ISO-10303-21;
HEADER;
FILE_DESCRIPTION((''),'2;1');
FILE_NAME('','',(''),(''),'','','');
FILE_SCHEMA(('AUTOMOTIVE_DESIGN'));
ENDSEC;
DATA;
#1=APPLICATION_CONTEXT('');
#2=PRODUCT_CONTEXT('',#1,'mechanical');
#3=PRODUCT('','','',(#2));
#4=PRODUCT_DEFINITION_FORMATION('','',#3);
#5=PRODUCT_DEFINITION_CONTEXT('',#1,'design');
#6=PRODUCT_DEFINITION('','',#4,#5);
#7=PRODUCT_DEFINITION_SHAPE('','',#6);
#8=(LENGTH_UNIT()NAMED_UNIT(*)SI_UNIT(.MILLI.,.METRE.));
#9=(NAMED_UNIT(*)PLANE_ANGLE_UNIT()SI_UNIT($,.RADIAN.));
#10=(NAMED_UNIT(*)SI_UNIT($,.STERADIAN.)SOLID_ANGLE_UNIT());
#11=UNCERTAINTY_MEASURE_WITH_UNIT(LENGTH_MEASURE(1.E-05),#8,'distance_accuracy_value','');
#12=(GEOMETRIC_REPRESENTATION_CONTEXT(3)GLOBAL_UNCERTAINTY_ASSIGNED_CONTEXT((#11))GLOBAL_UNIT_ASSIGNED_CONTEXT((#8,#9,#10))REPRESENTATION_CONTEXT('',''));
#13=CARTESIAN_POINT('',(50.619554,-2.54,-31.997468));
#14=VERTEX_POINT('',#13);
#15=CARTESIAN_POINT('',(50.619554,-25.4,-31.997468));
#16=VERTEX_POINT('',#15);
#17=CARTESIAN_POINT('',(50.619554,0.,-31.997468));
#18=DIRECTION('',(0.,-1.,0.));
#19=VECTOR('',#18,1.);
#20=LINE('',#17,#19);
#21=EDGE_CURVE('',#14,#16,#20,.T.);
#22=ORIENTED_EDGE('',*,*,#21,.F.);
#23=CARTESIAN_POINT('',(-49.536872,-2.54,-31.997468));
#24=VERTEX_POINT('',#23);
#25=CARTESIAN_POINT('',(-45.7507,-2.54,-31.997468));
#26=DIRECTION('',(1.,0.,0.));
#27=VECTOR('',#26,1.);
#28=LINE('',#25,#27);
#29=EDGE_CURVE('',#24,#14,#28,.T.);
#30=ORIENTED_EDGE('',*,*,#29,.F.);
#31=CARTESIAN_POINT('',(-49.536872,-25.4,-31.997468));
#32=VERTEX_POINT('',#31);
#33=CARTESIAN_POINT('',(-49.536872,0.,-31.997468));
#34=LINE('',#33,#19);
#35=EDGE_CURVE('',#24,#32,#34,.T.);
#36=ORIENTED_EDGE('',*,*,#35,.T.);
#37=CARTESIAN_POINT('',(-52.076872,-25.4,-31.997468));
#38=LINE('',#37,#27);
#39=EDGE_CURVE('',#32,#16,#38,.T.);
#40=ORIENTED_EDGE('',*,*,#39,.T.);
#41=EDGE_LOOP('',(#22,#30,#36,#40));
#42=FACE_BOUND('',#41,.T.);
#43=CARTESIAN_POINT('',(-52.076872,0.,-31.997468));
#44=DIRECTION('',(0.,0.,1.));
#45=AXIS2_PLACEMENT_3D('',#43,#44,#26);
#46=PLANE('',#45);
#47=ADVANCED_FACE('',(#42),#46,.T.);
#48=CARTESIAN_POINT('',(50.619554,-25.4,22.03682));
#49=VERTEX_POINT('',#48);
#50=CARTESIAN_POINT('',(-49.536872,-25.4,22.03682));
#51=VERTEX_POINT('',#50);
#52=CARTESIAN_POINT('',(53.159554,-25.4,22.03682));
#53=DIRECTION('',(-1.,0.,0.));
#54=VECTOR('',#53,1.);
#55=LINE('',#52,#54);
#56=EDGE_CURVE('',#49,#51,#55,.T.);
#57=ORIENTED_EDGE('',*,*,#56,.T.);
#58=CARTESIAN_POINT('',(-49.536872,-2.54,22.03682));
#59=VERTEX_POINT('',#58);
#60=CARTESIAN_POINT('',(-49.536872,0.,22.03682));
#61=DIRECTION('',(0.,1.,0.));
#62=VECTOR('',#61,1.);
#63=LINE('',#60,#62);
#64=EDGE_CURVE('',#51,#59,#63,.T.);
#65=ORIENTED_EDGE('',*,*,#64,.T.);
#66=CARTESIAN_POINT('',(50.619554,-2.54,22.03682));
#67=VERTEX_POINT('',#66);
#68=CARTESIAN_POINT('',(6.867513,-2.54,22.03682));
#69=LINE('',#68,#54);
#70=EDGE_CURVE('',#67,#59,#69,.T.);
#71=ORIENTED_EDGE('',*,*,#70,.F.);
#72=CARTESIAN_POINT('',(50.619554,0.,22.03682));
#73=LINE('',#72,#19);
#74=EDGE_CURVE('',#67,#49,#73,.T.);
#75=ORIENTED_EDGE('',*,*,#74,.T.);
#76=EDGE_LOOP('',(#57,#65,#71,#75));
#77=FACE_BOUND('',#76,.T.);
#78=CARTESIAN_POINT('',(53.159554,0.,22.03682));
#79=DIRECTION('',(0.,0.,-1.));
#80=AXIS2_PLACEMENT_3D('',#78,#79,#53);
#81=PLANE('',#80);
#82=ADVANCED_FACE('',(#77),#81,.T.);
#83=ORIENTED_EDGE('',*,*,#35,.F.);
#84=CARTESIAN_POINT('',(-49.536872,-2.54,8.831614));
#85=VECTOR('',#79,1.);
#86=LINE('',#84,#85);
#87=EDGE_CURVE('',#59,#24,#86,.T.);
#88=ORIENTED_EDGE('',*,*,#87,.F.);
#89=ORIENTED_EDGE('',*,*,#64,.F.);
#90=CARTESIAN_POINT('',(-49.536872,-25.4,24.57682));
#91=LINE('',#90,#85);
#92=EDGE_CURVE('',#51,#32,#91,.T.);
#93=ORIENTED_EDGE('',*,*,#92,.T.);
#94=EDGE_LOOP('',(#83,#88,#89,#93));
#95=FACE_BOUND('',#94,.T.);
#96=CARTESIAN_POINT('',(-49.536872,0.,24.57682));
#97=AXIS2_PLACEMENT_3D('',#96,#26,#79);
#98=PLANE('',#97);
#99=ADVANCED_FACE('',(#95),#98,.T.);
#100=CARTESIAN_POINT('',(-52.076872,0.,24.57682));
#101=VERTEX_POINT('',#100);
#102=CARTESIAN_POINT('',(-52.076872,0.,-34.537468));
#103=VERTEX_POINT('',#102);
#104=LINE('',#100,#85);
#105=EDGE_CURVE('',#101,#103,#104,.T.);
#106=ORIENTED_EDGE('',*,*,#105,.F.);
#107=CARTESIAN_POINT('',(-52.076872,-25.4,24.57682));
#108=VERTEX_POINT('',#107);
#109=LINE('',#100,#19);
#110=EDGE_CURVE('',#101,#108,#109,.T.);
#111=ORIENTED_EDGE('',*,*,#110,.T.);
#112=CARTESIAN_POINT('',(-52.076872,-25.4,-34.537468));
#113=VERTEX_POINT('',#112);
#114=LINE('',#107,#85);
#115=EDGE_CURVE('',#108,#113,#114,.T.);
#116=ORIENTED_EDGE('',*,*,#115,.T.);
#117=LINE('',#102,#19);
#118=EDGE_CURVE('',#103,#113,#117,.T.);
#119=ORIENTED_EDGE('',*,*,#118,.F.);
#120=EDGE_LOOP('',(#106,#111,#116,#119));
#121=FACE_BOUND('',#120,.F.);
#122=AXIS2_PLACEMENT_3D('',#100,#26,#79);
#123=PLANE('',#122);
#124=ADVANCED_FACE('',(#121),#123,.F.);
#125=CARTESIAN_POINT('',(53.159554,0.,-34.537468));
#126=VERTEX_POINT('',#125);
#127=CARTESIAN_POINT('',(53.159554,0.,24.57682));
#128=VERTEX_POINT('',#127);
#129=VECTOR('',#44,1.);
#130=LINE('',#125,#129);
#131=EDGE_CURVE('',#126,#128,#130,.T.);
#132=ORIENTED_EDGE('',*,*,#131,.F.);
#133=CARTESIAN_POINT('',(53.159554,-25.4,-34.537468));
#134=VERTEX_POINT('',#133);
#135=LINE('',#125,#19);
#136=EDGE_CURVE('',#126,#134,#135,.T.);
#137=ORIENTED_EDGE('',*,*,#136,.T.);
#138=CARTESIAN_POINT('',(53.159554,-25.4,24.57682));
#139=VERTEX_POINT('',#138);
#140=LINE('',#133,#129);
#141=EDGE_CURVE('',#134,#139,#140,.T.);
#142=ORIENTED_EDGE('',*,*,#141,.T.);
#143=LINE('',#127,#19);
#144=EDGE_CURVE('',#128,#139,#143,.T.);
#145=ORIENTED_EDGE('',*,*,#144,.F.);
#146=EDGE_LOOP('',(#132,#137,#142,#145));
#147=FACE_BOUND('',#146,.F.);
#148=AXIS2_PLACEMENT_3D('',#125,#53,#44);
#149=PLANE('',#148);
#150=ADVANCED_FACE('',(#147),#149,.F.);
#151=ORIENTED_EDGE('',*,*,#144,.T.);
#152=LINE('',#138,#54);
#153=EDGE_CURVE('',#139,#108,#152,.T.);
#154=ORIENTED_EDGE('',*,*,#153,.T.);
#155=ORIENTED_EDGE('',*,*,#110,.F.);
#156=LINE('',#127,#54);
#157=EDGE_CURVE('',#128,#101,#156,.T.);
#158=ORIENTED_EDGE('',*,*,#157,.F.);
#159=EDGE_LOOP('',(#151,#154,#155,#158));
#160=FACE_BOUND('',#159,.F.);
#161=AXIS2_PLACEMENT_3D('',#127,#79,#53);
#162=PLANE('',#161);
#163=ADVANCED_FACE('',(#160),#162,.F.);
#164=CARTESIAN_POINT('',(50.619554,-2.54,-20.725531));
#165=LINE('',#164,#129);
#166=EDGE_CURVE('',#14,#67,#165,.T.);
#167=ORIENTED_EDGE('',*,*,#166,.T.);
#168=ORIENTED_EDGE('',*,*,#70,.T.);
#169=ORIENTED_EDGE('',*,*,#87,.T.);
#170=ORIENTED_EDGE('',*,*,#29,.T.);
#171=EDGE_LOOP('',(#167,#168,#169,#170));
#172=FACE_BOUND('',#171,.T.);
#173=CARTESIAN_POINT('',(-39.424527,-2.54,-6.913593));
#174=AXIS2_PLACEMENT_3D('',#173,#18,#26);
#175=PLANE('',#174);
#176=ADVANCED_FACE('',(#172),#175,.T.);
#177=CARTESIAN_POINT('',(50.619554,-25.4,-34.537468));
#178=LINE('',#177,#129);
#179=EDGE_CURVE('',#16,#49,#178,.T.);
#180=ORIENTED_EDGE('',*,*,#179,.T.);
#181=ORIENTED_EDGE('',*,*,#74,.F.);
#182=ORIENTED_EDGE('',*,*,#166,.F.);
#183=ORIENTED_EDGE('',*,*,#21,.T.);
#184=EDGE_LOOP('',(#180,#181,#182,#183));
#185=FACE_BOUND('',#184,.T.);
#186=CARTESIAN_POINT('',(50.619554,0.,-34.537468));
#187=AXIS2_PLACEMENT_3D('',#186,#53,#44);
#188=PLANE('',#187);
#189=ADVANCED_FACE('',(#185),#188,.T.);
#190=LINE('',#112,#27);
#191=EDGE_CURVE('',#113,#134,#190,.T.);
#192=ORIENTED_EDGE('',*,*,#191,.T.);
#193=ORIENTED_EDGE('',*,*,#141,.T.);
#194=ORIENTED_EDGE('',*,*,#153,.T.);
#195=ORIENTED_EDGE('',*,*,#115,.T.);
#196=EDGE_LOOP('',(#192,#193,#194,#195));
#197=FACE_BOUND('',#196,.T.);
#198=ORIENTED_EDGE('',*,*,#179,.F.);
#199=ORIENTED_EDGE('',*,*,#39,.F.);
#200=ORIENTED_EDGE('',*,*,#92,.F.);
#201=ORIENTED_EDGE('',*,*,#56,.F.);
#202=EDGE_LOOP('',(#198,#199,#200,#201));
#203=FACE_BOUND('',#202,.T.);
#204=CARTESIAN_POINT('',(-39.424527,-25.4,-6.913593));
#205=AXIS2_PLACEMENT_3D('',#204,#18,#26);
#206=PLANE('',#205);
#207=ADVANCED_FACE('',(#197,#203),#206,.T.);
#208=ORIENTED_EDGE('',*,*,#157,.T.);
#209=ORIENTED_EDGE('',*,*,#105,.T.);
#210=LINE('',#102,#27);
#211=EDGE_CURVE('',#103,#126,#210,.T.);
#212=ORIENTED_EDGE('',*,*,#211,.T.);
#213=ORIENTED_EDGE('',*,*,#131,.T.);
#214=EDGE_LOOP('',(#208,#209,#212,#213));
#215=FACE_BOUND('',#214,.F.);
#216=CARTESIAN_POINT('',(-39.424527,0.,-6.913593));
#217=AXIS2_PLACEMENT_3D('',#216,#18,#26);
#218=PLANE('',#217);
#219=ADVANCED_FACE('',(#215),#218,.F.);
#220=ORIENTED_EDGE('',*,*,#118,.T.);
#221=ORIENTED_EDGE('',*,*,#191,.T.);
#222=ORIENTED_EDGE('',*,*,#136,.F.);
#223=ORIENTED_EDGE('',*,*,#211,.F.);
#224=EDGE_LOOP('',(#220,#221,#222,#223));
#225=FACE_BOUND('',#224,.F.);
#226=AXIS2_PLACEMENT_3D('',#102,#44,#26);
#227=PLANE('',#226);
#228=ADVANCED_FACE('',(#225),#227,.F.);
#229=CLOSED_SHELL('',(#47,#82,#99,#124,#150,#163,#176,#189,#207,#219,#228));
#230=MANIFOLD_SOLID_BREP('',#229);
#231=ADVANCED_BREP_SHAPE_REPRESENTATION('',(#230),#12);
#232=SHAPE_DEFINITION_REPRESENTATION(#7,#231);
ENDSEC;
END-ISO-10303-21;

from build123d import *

# Parameters (mm, degrees)
F1_DEPTH = 25.4
F2_T     = -2.54


with BuildPart() as f1:
    # F0 (on Front) → F1 (new body)
    with BuildSketch(Plane.XZ):
        Polygon((-32.8051820397, 24.5768204331), (-52.0768724382, 24.5768204331), (-52.0768724382, -34.5374681056), (-21.7618532479, -34.5374681056), align=None)
        Polygon((53.1595535576, 24.5768204331), (-32.8051820397, 24.5768204331), (-21.7618532479, -34.5374681056), (53.1595535576, -34.5374681056), align=None)
    extrude(amount=F1_DEPTH)

    # F2
    f2_openings = [f1.faces().sort_by_distance(p)[0] for p in [
        (0.541341, -25.4, -4.980324),
    ]]
    offset(amount=F2_T, openings=f2_openings)


solid = f1.part
